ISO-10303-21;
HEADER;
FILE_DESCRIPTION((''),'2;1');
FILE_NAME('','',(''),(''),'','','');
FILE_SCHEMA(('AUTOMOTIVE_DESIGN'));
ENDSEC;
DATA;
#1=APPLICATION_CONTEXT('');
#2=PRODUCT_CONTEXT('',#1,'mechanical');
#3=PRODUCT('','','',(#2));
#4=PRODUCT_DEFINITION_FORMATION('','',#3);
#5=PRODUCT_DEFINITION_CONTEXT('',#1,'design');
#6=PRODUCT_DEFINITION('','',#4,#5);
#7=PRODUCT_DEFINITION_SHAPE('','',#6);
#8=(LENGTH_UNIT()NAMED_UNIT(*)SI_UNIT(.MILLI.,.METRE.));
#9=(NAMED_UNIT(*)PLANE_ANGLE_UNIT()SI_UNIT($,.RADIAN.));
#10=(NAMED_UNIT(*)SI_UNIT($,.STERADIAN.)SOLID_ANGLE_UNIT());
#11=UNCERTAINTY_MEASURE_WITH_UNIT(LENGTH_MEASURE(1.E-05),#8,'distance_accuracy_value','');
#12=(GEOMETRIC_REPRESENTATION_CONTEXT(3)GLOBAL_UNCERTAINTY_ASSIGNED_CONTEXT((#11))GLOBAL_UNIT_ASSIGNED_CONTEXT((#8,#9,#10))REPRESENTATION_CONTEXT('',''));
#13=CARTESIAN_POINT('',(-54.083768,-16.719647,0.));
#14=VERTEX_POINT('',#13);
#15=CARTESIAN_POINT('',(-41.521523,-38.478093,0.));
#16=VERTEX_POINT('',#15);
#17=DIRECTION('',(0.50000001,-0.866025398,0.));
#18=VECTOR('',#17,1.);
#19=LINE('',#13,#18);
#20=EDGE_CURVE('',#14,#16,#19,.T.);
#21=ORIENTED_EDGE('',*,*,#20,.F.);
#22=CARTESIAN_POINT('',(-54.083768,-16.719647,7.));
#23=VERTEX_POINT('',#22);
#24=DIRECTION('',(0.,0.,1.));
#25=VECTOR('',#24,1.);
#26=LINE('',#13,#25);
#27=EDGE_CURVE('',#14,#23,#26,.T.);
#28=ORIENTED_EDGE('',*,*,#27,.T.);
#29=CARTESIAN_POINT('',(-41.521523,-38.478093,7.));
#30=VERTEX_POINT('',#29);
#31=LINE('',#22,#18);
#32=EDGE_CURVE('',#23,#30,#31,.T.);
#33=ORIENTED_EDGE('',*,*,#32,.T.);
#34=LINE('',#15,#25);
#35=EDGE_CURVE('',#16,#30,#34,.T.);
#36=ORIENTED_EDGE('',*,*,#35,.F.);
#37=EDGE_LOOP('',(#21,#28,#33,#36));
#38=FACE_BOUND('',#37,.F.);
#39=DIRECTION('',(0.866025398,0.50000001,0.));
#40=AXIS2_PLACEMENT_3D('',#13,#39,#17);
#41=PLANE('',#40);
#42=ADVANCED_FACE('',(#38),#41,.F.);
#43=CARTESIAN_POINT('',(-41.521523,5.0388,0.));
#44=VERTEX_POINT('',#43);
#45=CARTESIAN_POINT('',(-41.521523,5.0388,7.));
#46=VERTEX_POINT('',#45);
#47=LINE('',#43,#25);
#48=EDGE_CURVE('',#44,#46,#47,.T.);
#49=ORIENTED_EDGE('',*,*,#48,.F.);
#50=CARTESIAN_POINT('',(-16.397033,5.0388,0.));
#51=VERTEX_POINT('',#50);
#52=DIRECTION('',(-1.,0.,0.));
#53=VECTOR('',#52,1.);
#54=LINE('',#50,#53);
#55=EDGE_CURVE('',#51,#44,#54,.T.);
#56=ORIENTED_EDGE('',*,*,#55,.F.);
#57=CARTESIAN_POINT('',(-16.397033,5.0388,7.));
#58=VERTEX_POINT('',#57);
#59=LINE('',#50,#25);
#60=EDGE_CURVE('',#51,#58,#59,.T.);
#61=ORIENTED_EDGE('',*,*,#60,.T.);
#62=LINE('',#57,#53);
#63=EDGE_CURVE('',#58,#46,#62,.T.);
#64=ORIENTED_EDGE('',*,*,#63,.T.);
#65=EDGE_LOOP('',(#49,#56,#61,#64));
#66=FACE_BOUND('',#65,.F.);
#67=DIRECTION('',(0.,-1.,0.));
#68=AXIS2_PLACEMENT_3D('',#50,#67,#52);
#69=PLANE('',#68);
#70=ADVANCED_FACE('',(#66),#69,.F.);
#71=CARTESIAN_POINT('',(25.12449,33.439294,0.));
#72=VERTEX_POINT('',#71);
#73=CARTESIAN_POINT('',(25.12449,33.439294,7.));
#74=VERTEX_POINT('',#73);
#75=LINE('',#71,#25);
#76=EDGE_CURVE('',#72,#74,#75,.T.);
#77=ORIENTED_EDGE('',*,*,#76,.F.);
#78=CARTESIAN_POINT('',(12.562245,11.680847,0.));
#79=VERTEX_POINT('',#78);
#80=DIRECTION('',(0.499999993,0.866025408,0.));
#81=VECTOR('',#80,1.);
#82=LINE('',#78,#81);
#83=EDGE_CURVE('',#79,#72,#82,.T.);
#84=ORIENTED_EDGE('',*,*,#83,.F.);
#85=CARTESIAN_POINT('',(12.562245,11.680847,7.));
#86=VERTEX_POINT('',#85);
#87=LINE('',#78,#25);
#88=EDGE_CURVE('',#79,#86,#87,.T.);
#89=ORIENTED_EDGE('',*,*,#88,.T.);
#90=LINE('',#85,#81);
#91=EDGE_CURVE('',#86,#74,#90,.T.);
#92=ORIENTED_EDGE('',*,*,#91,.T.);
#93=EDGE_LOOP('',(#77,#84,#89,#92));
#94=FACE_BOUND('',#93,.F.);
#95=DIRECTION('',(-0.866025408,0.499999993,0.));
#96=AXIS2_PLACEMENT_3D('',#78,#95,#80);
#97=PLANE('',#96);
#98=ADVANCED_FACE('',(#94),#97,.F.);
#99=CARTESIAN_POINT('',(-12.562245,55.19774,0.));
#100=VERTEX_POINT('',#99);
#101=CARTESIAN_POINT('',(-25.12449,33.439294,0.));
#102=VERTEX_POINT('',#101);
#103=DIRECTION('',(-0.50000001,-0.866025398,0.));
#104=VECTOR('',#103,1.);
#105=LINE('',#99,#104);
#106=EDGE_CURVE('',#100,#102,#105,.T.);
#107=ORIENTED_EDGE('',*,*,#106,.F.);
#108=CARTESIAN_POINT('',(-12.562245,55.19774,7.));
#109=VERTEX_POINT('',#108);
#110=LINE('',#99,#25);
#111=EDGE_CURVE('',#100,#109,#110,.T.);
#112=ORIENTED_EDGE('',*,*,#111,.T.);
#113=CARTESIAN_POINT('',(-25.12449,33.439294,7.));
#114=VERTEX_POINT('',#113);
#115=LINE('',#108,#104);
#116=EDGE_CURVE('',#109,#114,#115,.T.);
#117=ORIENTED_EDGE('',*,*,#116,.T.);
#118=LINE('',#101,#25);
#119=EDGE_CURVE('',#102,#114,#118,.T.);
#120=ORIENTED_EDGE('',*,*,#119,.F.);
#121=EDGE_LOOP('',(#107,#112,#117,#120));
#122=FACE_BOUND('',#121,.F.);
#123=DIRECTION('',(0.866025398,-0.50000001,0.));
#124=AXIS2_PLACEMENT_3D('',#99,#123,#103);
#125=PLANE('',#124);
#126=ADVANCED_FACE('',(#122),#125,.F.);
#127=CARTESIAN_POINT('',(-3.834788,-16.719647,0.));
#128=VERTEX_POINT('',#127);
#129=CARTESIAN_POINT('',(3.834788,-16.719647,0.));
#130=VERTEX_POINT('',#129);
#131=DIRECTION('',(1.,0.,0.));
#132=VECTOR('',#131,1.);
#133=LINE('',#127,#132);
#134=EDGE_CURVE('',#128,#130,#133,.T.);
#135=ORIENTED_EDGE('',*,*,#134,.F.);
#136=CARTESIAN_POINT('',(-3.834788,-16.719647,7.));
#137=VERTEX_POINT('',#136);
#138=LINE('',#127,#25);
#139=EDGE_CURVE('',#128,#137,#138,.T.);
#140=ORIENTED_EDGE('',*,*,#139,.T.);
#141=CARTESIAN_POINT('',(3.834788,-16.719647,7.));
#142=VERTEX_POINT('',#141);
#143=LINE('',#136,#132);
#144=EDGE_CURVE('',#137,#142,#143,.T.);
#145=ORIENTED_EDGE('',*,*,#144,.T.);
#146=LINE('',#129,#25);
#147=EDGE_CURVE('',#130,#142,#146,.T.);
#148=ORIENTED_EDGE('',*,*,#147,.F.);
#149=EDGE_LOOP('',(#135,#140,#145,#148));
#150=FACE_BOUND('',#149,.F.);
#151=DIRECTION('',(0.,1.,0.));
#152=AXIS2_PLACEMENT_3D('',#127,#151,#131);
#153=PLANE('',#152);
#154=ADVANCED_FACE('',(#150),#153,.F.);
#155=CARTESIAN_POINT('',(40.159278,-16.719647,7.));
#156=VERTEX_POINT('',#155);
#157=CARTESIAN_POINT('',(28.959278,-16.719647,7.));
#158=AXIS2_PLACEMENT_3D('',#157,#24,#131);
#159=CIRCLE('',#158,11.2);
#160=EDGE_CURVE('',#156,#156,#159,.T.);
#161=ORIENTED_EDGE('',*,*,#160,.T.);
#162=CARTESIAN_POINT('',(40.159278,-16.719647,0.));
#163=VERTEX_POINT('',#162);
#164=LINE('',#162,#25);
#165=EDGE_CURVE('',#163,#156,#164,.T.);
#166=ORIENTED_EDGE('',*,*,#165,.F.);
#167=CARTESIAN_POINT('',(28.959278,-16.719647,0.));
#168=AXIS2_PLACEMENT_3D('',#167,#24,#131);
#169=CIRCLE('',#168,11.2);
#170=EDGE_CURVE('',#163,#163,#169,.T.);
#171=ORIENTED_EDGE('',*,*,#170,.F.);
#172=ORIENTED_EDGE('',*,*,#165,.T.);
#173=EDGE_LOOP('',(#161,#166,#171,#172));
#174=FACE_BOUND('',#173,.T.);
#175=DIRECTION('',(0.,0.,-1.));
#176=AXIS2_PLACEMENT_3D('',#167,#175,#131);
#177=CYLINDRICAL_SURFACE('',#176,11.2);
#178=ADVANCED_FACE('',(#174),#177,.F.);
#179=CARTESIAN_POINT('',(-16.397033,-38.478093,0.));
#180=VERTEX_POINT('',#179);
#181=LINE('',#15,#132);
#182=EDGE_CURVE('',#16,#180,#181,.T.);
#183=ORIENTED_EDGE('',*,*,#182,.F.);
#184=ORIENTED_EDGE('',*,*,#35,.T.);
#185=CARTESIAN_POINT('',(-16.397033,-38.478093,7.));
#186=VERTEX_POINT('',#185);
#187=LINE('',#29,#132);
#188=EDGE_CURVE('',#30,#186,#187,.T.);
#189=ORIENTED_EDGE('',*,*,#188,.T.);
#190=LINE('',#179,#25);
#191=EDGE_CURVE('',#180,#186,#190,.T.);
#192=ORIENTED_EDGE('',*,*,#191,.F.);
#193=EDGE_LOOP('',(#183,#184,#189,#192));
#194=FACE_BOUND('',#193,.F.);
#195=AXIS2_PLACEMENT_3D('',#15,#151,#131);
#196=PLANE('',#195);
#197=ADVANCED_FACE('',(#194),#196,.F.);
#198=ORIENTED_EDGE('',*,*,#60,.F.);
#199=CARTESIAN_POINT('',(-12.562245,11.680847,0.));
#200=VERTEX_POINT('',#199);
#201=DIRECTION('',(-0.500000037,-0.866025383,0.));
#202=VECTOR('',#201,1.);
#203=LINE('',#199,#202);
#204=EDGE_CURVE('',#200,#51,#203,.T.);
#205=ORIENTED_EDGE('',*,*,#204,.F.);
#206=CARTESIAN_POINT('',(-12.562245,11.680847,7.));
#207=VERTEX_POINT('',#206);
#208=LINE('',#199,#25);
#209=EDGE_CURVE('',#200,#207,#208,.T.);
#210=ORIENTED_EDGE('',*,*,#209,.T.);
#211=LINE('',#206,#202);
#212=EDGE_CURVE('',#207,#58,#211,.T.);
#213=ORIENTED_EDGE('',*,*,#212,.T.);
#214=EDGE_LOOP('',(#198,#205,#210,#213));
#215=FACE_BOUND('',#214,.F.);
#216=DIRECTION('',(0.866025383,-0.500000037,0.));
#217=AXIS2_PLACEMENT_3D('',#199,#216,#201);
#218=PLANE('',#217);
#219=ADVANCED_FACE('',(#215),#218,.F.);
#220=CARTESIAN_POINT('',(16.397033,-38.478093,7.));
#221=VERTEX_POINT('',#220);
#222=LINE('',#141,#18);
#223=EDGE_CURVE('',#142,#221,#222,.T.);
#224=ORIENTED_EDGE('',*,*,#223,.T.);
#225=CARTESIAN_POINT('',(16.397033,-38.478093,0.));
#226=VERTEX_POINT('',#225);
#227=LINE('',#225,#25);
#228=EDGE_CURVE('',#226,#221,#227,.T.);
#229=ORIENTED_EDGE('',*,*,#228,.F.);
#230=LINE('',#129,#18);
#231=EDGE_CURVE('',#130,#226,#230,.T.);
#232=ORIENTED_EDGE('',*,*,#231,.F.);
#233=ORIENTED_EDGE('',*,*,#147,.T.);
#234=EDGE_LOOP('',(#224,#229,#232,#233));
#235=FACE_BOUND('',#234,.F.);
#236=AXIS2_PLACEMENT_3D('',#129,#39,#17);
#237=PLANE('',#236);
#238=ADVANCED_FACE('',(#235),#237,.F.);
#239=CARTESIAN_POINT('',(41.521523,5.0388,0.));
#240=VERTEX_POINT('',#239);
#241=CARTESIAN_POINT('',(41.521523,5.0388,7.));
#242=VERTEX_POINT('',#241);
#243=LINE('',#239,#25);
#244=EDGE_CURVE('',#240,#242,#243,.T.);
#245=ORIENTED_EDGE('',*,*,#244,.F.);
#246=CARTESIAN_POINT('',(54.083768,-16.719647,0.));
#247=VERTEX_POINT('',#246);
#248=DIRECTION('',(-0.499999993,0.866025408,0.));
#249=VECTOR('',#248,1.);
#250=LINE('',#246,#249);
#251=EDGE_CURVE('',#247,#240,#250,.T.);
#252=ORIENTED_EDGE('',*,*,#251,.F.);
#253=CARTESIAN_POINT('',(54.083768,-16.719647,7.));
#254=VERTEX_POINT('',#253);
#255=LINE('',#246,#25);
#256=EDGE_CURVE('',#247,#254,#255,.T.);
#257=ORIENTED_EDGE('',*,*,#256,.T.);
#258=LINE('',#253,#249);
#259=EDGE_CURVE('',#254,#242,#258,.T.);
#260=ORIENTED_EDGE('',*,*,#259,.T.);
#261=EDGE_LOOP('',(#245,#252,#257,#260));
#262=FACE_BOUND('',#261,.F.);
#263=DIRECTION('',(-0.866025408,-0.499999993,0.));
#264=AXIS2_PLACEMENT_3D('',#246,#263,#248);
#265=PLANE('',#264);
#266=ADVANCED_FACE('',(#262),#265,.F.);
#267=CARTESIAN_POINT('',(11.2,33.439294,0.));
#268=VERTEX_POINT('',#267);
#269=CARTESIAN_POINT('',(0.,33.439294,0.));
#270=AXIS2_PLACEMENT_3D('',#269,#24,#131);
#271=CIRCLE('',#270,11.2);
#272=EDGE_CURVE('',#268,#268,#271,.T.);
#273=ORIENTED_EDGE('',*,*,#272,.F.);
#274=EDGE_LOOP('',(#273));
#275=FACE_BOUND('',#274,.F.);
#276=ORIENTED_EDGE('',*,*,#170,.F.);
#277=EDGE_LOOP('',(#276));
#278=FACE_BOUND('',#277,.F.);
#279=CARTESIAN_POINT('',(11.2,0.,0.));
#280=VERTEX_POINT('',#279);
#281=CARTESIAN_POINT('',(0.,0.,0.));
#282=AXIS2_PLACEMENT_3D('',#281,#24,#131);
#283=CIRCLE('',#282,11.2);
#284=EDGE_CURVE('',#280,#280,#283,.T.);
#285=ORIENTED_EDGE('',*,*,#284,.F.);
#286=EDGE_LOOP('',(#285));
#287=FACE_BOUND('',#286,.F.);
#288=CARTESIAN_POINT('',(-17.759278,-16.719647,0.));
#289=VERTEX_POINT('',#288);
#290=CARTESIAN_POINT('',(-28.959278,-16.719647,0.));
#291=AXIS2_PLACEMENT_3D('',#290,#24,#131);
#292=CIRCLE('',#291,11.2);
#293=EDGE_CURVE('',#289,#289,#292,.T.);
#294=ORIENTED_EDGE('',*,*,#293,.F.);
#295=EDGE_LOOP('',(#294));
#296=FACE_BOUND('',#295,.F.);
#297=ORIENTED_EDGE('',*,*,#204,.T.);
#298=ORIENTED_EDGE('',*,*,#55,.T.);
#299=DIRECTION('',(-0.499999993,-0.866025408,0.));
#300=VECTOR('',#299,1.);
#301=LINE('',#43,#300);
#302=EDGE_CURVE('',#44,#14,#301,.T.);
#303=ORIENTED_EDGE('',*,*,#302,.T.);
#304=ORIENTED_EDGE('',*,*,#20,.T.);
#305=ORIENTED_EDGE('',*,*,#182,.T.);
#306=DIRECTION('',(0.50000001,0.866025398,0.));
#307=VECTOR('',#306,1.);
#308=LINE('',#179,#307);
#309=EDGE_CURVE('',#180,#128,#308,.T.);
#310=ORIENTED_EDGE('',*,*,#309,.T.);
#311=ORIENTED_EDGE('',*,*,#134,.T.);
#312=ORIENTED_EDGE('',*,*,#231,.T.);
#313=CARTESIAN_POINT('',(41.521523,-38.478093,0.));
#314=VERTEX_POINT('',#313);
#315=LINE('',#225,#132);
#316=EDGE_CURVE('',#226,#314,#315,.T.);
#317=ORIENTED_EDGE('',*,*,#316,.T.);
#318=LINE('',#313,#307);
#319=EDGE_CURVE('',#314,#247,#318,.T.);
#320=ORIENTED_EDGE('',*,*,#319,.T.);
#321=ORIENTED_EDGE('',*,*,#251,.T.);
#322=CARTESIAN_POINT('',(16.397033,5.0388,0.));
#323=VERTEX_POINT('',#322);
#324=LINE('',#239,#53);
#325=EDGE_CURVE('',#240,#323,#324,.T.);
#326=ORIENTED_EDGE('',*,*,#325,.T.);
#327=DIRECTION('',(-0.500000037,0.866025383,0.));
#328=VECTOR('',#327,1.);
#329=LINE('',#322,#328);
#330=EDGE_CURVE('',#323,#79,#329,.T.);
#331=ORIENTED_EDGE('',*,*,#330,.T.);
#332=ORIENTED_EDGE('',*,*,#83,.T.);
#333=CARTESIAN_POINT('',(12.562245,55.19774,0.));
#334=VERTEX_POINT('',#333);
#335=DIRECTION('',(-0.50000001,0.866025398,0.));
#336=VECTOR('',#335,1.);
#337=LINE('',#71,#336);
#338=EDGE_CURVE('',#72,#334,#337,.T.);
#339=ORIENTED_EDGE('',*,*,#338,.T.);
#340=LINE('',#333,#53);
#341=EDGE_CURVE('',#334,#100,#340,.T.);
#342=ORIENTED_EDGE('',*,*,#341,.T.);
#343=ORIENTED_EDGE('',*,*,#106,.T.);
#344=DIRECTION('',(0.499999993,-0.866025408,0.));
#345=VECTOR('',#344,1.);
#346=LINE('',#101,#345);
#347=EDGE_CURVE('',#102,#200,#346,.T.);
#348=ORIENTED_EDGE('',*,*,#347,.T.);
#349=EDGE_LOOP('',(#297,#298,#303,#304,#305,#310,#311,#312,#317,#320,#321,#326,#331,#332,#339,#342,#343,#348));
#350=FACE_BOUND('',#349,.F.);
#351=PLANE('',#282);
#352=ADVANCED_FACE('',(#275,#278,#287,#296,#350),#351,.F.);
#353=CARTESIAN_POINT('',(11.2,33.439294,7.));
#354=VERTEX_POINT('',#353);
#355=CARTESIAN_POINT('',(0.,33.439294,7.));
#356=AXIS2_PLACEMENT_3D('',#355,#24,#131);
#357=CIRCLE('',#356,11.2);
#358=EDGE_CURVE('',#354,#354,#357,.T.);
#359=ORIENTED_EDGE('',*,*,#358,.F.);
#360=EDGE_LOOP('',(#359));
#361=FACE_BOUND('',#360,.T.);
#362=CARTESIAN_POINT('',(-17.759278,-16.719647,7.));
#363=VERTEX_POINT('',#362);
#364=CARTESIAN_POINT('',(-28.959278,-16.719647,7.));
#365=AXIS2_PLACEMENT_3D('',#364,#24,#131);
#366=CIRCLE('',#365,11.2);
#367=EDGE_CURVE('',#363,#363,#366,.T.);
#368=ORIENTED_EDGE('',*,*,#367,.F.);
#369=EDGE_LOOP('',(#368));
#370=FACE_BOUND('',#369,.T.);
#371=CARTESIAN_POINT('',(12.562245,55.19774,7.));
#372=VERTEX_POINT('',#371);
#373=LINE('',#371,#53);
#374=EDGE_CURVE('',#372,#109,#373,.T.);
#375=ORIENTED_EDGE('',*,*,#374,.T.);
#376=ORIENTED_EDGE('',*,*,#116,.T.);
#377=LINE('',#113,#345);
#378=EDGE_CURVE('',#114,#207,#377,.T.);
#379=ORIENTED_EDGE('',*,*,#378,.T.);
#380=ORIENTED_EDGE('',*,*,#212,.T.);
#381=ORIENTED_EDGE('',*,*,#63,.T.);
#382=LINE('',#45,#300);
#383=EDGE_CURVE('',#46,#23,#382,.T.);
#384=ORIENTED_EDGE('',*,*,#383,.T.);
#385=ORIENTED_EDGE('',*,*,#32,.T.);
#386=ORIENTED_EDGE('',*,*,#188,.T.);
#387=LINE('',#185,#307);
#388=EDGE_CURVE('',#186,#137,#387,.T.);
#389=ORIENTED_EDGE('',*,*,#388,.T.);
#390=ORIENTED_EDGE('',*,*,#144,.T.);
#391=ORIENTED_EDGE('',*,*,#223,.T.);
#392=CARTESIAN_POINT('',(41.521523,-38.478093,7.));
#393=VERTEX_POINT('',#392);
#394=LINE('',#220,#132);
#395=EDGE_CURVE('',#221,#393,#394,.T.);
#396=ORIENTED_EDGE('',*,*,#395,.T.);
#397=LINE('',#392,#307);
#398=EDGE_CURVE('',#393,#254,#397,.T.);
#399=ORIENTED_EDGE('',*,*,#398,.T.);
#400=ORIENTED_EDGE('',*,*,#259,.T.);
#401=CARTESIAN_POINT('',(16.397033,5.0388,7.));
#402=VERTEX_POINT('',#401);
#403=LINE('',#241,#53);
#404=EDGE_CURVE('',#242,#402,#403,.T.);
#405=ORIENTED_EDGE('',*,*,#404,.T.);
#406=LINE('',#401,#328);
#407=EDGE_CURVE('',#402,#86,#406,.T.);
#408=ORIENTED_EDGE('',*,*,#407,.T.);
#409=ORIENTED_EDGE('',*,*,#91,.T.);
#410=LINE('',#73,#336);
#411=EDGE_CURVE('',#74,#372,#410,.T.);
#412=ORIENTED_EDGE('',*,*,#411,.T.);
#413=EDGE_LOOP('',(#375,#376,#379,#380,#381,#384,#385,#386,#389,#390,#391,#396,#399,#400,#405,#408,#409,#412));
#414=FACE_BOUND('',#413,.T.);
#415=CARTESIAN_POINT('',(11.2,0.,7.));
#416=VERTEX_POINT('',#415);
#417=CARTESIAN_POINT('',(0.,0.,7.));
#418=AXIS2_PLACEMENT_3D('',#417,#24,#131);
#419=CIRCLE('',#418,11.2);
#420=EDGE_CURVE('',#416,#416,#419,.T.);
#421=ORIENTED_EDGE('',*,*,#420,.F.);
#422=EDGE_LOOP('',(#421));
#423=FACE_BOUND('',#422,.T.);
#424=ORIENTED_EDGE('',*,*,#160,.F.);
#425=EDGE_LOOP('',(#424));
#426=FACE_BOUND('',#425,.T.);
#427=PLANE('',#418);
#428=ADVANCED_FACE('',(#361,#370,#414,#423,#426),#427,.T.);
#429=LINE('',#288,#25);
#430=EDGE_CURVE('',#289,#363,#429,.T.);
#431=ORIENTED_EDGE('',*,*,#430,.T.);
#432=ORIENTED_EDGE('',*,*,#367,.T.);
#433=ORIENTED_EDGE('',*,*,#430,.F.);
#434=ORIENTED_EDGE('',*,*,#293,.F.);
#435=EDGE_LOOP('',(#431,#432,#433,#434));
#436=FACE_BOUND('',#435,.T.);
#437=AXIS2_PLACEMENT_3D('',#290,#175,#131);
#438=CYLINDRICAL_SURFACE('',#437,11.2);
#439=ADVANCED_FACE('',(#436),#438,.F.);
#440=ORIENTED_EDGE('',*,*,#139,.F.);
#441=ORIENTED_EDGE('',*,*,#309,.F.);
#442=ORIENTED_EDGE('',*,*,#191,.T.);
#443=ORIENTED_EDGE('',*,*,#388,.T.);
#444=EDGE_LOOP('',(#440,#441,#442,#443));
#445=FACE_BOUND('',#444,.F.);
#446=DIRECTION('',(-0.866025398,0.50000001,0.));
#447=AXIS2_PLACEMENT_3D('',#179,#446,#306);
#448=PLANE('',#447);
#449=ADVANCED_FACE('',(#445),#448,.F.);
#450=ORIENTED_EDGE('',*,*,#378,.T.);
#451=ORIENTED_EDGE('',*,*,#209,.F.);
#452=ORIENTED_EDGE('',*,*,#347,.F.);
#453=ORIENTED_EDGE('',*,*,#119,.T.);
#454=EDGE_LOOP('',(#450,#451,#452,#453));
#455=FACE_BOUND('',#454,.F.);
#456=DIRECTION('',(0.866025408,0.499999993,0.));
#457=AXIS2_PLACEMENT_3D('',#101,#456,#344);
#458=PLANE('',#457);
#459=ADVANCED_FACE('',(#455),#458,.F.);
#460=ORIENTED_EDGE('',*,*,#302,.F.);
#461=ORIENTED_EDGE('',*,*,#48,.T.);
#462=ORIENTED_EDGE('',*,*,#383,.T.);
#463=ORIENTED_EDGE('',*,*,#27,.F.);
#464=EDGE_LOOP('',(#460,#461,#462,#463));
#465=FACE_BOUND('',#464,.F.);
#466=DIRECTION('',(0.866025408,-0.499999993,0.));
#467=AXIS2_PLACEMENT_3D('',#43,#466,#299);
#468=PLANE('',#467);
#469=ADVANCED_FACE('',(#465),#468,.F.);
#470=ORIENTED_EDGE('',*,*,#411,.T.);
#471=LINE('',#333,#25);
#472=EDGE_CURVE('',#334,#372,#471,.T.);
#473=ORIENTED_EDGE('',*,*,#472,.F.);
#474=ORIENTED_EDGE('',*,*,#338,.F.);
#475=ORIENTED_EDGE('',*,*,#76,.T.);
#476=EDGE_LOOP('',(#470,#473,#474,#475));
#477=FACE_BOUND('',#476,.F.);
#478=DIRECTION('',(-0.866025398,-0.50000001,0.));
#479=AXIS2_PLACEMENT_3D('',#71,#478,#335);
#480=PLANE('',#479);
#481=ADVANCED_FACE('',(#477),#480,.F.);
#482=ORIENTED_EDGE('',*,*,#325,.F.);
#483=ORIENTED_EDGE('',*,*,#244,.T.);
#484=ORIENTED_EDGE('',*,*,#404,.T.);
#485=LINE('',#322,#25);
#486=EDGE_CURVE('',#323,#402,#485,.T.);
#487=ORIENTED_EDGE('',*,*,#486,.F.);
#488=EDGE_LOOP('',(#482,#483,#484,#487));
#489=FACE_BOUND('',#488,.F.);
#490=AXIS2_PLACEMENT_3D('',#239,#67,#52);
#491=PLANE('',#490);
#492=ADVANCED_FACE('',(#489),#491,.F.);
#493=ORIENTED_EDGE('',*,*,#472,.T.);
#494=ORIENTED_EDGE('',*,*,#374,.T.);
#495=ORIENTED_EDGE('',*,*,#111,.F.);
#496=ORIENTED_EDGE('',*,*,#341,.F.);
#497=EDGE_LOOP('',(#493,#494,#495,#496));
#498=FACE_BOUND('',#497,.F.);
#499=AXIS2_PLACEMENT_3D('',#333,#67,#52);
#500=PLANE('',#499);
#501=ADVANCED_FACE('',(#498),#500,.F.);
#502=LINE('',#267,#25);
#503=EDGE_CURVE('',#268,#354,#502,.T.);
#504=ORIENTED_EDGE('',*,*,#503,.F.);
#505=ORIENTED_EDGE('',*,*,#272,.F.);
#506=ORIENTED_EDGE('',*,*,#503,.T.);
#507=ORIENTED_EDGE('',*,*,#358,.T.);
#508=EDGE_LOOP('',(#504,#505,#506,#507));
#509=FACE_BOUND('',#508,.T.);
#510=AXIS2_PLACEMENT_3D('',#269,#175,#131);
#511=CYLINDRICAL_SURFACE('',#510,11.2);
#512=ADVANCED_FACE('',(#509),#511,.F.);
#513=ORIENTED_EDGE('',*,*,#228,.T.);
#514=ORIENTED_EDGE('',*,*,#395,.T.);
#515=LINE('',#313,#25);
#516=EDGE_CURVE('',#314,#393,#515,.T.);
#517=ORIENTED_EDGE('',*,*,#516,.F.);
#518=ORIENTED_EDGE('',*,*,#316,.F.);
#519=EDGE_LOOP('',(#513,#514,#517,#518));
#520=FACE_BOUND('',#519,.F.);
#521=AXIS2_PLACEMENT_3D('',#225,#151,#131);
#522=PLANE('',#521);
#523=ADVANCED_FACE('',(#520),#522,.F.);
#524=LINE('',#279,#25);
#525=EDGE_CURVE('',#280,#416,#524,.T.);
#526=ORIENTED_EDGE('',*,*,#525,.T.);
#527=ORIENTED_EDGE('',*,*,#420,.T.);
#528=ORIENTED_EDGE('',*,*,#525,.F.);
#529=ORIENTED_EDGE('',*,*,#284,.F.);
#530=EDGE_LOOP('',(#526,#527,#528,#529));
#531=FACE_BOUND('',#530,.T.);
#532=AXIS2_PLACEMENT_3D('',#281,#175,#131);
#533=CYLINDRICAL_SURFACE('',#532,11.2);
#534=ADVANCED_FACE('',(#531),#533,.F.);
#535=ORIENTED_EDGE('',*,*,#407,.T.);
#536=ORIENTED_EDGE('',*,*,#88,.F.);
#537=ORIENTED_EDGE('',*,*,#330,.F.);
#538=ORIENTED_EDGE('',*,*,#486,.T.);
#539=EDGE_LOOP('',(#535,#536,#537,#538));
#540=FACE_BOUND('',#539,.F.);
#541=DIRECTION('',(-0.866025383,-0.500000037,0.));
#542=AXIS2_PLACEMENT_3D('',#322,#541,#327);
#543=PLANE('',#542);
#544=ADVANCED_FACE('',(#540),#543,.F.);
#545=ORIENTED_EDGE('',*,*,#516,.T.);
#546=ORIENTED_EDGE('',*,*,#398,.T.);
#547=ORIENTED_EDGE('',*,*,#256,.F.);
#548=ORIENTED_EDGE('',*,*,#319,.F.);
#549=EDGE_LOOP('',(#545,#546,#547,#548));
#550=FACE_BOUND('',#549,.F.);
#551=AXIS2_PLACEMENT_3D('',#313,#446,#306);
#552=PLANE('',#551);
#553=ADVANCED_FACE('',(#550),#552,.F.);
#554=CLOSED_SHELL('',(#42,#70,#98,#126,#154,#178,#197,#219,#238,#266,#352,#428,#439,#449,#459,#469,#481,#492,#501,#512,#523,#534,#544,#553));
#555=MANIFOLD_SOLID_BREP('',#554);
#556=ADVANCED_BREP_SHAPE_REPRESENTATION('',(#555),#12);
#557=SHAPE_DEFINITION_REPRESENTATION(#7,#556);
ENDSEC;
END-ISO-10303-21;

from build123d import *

# Parameters (mm, degrees)
F0_R     = 11.2
F1_DEPTH = 7


with BuildPart() as f1:
    # F0 (on Top) → F1 (new body)
    with BuildSketch(Plane.XY):
        Polygon((12.562245, 55.19774), (-12.562245, 55.19774), (-25.12449, 33.439294), (-12.562245, 11.680847), (-16.397033, 5.0388), (-41.521523, 5.0388), (-54.083768, -16.719647), (-41.521523, -38.478093), (-16.397033, -38.478093), (-3.834788, -16.719647), (3.834788, -16.719647), (16.397033, -38.478093), (41.521523, -38.478093), (54.083768, -16.719647), (41.521523, 5.0388), (16.397033, 5.0388), (12.562245, 11.680847), (25.12449, 33.439294), align=None)
        with Locations((-28.959278, -16.719647)):
            Circle(F0_R, mode=Mode.SUBTRACT)
        with Locations((28.959278, -16.719647)):
            Circle(F0_R, mode=Mode.SUBTRACT)
        Circle(F0_R, mode=Mode.SUBTRACT)
        with Locations((0, 33.439294)):
            Circle(F0_R, mode=Mode.SUBTRACT)
    extrude(amount=F1_DEPTH)


solid = f1.part
